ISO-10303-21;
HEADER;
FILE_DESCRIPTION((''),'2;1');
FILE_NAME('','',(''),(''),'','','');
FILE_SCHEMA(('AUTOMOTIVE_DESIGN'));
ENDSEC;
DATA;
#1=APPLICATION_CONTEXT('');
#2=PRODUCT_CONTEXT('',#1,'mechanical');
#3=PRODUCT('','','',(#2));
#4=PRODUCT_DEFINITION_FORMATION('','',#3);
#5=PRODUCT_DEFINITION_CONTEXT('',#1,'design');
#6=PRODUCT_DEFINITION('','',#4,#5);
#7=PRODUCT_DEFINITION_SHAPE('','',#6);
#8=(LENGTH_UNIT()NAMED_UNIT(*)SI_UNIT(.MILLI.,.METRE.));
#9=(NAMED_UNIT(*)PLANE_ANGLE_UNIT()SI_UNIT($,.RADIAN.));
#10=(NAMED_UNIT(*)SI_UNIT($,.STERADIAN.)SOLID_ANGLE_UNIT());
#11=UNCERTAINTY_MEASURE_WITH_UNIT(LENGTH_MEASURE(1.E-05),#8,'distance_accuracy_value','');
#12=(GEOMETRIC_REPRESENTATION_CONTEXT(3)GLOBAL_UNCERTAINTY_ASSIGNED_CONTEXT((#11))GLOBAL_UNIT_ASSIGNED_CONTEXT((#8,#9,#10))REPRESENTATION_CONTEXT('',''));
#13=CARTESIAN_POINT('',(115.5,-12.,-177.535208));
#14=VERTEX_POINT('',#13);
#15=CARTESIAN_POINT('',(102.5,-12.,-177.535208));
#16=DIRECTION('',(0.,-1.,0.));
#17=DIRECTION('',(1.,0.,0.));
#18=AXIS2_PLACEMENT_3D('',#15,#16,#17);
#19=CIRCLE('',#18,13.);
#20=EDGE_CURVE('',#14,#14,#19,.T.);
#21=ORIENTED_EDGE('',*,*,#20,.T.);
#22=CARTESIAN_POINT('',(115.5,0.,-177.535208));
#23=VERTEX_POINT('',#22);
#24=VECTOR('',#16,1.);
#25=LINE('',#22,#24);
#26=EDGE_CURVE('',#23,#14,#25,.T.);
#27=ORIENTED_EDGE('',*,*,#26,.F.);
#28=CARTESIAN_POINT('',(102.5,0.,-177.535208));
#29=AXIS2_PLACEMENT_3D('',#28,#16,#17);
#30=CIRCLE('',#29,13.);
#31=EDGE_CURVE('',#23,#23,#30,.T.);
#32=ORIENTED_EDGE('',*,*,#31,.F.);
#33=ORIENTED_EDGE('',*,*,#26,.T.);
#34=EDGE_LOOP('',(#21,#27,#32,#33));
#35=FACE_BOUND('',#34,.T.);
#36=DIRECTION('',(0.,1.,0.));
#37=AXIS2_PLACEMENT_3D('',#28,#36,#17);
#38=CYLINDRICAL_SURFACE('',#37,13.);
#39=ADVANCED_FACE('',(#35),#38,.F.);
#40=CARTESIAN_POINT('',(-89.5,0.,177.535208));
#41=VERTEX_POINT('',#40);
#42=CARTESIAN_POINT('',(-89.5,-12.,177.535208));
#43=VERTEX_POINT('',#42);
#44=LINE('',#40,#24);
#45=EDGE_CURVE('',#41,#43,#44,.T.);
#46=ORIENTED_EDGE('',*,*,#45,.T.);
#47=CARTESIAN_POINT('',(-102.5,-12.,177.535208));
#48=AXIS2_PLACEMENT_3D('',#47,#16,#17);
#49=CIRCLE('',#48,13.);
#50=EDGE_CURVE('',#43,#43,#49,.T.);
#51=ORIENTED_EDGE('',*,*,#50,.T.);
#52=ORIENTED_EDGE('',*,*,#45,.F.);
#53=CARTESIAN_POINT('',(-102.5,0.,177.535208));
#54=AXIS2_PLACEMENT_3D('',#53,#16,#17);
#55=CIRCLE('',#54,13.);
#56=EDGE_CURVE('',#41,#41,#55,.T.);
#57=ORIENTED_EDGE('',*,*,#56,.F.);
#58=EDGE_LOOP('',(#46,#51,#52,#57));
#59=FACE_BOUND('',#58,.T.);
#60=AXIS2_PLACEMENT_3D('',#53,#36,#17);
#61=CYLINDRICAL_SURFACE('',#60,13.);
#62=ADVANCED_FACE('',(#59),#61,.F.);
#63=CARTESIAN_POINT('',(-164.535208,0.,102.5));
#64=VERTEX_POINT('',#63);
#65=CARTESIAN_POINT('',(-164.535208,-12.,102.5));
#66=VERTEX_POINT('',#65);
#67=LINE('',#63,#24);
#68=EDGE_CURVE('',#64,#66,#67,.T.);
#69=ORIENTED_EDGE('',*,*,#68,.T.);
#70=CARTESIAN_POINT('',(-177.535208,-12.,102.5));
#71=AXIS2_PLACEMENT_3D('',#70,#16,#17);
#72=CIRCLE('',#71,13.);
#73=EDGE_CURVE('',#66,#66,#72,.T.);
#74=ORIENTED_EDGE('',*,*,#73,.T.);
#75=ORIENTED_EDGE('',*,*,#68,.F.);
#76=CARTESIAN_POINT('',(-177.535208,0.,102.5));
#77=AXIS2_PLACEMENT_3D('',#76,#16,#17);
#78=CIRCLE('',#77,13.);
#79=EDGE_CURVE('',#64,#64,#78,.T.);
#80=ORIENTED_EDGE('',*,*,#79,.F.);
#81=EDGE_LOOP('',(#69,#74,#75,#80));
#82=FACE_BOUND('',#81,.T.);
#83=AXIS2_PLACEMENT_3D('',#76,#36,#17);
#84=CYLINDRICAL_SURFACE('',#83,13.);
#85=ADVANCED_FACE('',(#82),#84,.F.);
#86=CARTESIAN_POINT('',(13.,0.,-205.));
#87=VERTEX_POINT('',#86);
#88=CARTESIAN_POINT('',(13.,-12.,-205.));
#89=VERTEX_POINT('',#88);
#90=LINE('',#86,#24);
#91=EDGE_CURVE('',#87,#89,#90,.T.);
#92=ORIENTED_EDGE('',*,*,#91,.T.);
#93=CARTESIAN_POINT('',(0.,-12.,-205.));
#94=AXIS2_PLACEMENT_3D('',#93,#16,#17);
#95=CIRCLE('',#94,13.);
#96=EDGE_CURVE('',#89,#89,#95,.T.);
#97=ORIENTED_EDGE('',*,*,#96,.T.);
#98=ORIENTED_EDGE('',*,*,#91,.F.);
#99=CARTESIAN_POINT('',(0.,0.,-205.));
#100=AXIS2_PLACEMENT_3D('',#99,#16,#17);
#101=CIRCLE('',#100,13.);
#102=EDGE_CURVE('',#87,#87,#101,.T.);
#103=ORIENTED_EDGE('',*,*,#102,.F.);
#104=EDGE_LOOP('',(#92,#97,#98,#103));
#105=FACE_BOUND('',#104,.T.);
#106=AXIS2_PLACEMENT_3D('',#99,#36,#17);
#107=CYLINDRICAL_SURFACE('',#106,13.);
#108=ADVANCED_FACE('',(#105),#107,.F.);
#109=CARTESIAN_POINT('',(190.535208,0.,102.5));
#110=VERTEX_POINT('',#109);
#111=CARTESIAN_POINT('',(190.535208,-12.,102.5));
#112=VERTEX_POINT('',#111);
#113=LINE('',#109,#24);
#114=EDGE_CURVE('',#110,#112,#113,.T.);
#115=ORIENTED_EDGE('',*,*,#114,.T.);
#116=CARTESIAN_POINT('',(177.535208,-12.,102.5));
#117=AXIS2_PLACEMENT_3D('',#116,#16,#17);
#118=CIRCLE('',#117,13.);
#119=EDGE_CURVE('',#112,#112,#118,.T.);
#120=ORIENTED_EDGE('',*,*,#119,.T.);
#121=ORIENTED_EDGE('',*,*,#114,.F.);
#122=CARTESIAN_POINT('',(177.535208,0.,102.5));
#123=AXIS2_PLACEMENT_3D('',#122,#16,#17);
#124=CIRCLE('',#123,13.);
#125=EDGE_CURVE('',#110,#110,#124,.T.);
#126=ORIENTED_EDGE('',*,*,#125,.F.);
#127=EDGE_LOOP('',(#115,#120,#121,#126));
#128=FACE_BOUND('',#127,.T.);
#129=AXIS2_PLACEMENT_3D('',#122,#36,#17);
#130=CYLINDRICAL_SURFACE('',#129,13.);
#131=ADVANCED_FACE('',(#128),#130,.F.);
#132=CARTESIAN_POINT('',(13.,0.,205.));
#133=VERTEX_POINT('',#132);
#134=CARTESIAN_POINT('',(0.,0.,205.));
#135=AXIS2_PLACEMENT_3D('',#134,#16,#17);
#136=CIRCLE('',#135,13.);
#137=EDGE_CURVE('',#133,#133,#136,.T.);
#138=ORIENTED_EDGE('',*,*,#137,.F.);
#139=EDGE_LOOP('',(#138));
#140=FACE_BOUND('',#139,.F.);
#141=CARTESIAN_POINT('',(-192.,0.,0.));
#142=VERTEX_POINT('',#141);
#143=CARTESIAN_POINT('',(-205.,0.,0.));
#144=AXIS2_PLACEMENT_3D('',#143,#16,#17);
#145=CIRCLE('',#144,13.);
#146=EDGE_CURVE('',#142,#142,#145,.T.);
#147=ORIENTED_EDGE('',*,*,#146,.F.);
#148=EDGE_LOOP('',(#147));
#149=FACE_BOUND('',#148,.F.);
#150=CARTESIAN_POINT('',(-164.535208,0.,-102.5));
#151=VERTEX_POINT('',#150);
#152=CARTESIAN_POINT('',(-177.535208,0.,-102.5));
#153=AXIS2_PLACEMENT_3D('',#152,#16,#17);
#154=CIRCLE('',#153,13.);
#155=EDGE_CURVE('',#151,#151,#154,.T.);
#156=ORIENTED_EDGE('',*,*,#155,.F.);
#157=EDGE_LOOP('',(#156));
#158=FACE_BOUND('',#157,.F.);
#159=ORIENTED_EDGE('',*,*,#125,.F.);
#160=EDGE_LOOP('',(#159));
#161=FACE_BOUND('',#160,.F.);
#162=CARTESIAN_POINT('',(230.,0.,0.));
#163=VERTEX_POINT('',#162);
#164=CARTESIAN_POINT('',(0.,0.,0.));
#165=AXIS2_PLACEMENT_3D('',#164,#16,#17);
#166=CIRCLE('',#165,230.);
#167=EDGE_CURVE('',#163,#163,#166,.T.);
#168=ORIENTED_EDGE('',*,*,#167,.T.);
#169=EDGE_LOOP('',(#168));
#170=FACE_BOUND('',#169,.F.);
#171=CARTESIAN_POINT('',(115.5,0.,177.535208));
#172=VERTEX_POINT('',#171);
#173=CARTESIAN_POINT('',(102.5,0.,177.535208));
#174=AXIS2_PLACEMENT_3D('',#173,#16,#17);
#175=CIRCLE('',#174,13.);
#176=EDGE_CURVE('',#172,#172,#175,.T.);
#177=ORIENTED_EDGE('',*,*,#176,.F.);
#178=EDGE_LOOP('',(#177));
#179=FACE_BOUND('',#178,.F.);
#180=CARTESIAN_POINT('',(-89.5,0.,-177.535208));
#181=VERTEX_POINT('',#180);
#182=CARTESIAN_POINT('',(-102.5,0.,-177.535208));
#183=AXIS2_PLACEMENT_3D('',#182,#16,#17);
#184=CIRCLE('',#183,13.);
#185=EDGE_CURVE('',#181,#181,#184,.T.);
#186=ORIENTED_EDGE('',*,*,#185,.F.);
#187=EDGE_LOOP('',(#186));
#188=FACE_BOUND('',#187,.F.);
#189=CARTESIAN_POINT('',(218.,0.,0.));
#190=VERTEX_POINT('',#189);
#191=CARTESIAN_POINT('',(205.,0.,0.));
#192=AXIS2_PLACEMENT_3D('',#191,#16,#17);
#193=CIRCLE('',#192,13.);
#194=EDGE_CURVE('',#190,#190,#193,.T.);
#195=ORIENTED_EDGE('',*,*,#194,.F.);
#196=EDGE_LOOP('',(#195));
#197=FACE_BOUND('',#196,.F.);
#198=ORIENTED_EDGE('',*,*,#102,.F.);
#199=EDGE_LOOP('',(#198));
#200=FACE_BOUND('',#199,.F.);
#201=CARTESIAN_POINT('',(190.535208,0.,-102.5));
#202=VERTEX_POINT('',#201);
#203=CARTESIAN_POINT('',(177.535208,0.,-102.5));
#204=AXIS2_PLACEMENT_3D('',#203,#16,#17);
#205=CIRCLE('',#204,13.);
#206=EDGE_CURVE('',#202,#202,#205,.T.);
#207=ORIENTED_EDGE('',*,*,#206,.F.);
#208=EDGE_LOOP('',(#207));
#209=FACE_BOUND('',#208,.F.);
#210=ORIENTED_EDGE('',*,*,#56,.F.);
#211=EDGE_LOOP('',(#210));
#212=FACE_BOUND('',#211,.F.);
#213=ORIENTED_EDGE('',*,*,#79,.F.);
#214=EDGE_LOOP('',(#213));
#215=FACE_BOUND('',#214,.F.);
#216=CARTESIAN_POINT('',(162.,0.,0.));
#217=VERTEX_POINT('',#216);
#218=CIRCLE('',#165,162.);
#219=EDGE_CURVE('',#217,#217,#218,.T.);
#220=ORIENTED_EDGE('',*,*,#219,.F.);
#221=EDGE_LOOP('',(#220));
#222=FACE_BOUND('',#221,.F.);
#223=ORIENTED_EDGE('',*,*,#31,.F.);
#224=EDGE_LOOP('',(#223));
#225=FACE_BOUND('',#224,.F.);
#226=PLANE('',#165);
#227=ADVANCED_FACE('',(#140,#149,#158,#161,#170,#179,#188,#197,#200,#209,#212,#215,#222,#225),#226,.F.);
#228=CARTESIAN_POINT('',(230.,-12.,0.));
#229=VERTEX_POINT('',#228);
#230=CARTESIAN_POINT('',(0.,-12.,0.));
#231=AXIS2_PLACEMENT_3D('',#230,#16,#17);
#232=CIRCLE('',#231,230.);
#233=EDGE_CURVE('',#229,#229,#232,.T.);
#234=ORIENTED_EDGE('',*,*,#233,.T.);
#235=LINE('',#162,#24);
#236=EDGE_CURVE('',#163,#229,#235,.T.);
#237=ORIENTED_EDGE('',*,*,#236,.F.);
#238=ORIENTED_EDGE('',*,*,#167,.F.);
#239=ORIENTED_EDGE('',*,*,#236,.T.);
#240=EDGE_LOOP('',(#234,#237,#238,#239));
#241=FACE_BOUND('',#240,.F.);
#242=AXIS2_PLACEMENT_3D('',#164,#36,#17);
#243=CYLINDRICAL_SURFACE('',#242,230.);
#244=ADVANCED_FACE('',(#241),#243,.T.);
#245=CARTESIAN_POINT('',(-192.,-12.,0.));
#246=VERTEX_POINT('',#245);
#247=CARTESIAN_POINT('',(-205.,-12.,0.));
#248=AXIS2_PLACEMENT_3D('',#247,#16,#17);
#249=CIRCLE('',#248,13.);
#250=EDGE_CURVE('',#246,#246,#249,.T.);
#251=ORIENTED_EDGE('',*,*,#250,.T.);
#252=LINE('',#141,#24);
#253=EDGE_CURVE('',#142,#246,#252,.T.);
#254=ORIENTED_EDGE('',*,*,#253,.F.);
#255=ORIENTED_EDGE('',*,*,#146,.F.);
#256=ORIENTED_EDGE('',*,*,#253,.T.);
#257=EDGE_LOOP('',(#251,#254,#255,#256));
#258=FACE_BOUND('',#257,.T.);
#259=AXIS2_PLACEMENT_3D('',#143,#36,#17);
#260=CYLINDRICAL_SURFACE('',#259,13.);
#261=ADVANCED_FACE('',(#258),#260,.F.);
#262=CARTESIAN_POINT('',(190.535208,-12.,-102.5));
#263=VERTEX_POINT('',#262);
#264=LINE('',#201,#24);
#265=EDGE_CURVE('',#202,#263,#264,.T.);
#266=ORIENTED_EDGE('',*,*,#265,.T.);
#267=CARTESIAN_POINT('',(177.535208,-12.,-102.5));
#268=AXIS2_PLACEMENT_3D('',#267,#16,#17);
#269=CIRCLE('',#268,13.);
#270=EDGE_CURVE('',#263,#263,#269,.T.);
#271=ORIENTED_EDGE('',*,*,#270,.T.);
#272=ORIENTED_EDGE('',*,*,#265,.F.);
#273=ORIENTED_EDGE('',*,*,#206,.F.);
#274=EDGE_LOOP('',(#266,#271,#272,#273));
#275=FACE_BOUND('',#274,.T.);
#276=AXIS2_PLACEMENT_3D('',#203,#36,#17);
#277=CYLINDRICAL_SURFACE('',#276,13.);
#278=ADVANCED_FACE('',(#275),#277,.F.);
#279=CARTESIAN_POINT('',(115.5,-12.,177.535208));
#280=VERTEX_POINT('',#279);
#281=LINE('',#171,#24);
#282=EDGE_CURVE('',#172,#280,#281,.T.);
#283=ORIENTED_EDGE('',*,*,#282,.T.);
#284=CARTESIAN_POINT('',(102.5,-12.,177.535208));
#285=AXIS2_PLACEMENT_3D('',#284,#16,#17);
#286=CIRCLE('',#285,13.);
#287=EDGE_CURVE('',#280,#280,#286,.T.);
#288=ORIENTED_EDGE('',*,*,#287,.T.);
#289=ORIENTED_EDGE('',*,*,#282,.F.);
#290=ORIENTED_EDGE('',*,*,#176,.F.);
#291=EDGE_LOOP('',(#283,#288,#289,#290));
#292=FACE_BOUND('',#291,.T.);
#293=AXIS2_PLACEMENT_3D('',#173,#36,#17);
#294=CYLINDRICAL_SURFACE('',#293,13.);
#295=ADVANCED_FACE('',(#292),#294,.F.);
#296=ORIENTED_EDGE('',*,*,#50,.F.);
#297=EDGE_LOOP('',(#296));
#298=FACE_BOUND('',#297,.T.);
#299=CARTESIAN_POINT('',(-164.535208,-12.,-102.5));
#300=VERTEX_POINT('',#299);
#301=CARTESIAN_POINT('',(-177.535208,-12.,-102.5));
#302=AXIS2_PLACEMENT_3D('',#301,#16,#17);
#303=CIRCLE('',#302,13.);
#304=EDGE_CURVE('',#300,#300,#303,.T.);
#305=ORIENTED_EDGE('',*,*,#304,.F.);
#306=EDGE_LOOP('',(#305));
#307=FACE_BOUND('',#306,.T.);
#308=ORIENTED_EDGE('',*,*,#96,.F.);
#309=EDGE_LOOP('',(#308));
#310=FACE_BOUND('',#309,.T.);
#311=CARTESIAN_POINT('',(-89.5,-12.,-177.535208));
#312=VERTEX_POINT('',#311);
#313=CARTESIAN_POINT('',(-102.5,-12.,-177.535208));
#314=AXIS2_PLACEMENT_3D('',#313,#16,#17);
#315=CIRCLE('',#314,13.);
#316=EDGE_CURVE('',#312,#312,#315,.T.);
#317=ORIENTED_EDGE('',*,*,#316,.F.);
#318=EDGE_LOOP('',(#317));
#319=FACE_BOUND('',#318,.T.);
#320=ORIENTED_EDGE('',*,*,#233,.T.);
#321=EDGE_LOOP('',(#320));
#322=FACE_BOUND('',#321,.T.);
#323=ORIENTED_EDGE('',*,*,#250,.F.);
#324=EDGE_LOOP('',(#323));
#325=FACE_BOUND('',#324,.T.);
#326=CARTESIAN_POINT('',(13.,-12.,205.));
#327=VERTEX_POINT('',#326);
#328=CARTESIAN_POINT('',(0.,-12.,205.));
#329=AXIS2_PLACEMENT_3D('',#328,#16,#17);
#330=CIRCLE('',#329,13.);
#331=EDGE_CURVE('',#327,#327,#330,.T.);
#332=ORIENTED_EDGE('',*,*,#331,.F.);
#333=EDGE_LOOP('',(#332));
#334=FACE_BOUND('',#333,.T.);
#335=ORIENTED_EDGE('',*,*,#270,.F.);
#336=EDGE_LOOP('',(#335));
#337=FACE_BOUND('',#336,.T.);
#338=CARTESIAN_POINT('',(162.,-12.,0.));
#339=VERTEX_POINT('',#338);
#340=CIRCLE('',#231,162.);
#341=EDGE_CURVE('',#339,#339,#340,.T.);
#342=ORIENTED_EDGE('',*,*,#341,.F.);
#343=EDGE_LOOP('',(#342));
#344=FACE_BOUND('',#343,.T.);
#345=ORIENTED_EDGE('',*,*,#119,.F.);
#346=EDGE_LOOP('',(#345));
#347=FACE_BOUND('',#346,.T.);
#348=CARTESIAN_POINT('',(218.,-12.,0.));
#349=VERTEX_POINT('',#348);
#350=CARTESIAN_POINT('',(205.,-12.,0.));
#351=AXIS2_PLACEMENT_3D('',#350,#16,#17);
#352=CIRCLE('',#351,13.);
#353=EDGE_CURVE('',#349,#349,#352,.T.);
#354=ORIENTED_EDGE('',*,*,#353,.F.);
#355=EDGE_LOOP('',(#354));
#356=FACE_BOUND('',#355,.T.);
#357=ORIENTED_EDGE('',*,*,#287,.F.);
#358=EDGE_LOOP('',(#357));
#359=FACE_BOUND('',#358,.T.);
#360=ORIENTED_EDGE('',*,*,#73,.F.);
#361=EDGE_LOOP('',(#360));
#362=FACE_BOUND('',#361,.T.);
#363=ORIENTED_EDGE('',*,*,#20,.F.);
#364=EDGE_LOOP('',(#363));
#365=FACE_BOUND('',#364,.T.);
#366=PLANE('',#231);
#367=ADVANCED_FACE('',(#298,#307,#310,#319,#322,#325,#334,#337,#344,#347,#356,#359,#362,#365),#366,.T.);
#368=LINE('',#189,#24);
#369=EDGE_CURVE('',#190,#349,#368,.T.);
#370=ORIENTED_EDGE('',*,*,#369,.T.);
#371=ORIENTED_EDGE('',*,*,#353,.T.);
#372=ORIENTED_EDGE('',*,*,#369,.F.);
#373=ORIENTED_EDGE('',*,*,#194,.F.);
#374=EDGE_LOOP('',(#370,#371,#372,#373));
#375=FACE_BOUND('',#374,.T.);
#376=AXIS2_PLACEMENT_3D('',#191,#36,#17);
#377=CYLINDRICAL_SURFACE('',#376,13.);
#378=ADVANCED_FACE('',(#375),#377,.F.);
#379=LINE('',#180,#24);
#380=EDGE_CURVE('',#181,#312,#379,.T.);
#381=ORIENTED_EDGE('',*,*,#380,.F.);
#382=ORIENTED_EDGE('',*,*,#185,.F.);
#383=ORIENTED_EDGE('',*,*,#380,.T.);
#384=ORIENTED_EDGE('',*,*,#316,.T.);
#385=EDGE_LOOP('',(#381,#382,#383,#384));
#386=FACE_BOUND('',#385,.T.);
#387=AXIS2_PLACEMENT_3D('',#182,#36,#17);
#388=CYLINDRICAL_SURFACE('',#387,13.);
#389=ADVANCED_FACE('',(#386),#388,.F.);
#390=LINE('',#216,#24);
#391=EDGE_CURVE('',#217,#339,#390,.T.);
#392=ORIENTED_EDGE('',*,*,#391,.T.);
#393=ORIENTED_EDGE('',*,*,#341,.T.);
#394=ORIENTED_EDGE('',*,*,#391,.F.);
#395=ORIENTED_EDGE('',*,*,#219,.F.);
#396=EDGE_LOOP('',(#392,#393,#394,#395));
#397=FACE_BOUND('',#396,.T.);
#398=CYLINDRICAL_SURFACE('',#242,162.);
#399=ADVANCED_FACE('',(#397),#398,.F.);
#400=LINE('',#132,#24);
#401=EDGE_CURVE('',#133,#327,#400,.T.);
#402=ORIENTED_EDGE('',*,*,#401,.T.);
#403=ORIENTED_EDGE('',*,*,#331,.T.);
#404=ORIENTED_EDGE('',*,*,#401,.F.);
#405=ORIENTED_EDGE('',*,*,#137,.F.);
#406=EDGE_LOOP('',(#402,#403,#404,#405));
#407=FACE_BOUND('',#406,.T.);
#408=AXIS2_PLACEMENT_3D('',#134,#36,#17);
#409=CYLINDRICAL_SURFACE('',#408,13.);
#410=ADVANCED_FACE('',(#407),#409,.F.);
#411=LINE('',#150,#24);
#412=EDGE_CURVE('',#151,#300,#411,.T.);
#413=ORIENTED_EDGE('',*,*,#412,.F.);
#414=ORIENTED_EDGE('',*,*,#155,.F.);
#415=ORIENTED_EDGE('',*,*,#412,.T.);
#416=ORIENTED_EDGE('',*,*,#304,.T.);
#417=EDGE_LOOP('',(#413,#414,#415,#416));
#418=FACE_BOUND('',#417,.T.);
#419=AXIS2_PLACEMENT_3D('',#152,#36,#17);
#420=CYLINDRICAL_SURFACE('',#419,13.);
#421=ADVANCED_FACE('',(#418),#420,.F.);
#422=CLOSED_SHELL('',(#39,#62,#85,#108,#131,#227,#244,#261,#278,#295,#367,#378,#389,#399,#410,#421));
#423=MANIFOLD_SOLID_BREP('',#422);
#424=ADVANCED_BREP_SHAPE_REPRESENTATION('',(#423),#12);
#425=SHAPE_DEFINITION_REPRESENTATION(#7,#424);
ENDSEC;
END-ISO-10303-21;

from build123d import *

# Parameters (mm, degrees)
F0_R     = 230
F0_R_2   = 13
F0_R_3   = 162
F1_DEPTH = 12


with BuildPart() as f1:
    # F0 (on Front) → F1 (new body)
    with BuildSketch(Plane.XZ):
        Circle(F0_R)
        with Locations((-102.5, -177.535208)):
            Circle(F0_R_2, mode=Mode.SUBTRACT)
        with Locations((-177.535208, -102.5)):
            Circle(F0_R_2, mode=Mode.SUBTRACT)
        with Locations((0, -205)):
            Circle(F0_R_2, mode=Mode.SUBTRACT)
        with Locations((102.5, -177.535208)):
            Circle(F0_R_2, mode=Mode.SUBTRACT)
        with Locations((177.535208, -102.5)):
            Circle(F0_R_2, mode=Mode.SUBTRACT)
        with Locations((-205, 0)):
            Circle(F0_R_2, mode=Mode.SUBTRACT)
        with Locations((-177.535208, 102.5)):
            Circle(F0_R_2, mode=Mode.SUBTRACT)
        with Locations((-102.5, 177.535208)):
            Circle(F0_R_2, mode=Mode.SUBTRACT)
        Circle(F0_R_3, mode=Mode.SUBTRACT)
        with Locations((205, 0)):
            Circle(F0_R_2, mode=Mode.SUBTRACT)
        with Locations((177.535208, 102.5)):
            Circle(F0_R_2, mode=Mode.SUBTRACT)
        with Locations((0, 205)):
            Circle(F0_R_2, mode=Mode.SUBTRACT)
        with Locations((102.5, 177.535208)):
            Circle(F0_R_2, mode=Mode.SUBTRACT)
    extrude(amount=F1_DEPTH)


solid = f1.part
